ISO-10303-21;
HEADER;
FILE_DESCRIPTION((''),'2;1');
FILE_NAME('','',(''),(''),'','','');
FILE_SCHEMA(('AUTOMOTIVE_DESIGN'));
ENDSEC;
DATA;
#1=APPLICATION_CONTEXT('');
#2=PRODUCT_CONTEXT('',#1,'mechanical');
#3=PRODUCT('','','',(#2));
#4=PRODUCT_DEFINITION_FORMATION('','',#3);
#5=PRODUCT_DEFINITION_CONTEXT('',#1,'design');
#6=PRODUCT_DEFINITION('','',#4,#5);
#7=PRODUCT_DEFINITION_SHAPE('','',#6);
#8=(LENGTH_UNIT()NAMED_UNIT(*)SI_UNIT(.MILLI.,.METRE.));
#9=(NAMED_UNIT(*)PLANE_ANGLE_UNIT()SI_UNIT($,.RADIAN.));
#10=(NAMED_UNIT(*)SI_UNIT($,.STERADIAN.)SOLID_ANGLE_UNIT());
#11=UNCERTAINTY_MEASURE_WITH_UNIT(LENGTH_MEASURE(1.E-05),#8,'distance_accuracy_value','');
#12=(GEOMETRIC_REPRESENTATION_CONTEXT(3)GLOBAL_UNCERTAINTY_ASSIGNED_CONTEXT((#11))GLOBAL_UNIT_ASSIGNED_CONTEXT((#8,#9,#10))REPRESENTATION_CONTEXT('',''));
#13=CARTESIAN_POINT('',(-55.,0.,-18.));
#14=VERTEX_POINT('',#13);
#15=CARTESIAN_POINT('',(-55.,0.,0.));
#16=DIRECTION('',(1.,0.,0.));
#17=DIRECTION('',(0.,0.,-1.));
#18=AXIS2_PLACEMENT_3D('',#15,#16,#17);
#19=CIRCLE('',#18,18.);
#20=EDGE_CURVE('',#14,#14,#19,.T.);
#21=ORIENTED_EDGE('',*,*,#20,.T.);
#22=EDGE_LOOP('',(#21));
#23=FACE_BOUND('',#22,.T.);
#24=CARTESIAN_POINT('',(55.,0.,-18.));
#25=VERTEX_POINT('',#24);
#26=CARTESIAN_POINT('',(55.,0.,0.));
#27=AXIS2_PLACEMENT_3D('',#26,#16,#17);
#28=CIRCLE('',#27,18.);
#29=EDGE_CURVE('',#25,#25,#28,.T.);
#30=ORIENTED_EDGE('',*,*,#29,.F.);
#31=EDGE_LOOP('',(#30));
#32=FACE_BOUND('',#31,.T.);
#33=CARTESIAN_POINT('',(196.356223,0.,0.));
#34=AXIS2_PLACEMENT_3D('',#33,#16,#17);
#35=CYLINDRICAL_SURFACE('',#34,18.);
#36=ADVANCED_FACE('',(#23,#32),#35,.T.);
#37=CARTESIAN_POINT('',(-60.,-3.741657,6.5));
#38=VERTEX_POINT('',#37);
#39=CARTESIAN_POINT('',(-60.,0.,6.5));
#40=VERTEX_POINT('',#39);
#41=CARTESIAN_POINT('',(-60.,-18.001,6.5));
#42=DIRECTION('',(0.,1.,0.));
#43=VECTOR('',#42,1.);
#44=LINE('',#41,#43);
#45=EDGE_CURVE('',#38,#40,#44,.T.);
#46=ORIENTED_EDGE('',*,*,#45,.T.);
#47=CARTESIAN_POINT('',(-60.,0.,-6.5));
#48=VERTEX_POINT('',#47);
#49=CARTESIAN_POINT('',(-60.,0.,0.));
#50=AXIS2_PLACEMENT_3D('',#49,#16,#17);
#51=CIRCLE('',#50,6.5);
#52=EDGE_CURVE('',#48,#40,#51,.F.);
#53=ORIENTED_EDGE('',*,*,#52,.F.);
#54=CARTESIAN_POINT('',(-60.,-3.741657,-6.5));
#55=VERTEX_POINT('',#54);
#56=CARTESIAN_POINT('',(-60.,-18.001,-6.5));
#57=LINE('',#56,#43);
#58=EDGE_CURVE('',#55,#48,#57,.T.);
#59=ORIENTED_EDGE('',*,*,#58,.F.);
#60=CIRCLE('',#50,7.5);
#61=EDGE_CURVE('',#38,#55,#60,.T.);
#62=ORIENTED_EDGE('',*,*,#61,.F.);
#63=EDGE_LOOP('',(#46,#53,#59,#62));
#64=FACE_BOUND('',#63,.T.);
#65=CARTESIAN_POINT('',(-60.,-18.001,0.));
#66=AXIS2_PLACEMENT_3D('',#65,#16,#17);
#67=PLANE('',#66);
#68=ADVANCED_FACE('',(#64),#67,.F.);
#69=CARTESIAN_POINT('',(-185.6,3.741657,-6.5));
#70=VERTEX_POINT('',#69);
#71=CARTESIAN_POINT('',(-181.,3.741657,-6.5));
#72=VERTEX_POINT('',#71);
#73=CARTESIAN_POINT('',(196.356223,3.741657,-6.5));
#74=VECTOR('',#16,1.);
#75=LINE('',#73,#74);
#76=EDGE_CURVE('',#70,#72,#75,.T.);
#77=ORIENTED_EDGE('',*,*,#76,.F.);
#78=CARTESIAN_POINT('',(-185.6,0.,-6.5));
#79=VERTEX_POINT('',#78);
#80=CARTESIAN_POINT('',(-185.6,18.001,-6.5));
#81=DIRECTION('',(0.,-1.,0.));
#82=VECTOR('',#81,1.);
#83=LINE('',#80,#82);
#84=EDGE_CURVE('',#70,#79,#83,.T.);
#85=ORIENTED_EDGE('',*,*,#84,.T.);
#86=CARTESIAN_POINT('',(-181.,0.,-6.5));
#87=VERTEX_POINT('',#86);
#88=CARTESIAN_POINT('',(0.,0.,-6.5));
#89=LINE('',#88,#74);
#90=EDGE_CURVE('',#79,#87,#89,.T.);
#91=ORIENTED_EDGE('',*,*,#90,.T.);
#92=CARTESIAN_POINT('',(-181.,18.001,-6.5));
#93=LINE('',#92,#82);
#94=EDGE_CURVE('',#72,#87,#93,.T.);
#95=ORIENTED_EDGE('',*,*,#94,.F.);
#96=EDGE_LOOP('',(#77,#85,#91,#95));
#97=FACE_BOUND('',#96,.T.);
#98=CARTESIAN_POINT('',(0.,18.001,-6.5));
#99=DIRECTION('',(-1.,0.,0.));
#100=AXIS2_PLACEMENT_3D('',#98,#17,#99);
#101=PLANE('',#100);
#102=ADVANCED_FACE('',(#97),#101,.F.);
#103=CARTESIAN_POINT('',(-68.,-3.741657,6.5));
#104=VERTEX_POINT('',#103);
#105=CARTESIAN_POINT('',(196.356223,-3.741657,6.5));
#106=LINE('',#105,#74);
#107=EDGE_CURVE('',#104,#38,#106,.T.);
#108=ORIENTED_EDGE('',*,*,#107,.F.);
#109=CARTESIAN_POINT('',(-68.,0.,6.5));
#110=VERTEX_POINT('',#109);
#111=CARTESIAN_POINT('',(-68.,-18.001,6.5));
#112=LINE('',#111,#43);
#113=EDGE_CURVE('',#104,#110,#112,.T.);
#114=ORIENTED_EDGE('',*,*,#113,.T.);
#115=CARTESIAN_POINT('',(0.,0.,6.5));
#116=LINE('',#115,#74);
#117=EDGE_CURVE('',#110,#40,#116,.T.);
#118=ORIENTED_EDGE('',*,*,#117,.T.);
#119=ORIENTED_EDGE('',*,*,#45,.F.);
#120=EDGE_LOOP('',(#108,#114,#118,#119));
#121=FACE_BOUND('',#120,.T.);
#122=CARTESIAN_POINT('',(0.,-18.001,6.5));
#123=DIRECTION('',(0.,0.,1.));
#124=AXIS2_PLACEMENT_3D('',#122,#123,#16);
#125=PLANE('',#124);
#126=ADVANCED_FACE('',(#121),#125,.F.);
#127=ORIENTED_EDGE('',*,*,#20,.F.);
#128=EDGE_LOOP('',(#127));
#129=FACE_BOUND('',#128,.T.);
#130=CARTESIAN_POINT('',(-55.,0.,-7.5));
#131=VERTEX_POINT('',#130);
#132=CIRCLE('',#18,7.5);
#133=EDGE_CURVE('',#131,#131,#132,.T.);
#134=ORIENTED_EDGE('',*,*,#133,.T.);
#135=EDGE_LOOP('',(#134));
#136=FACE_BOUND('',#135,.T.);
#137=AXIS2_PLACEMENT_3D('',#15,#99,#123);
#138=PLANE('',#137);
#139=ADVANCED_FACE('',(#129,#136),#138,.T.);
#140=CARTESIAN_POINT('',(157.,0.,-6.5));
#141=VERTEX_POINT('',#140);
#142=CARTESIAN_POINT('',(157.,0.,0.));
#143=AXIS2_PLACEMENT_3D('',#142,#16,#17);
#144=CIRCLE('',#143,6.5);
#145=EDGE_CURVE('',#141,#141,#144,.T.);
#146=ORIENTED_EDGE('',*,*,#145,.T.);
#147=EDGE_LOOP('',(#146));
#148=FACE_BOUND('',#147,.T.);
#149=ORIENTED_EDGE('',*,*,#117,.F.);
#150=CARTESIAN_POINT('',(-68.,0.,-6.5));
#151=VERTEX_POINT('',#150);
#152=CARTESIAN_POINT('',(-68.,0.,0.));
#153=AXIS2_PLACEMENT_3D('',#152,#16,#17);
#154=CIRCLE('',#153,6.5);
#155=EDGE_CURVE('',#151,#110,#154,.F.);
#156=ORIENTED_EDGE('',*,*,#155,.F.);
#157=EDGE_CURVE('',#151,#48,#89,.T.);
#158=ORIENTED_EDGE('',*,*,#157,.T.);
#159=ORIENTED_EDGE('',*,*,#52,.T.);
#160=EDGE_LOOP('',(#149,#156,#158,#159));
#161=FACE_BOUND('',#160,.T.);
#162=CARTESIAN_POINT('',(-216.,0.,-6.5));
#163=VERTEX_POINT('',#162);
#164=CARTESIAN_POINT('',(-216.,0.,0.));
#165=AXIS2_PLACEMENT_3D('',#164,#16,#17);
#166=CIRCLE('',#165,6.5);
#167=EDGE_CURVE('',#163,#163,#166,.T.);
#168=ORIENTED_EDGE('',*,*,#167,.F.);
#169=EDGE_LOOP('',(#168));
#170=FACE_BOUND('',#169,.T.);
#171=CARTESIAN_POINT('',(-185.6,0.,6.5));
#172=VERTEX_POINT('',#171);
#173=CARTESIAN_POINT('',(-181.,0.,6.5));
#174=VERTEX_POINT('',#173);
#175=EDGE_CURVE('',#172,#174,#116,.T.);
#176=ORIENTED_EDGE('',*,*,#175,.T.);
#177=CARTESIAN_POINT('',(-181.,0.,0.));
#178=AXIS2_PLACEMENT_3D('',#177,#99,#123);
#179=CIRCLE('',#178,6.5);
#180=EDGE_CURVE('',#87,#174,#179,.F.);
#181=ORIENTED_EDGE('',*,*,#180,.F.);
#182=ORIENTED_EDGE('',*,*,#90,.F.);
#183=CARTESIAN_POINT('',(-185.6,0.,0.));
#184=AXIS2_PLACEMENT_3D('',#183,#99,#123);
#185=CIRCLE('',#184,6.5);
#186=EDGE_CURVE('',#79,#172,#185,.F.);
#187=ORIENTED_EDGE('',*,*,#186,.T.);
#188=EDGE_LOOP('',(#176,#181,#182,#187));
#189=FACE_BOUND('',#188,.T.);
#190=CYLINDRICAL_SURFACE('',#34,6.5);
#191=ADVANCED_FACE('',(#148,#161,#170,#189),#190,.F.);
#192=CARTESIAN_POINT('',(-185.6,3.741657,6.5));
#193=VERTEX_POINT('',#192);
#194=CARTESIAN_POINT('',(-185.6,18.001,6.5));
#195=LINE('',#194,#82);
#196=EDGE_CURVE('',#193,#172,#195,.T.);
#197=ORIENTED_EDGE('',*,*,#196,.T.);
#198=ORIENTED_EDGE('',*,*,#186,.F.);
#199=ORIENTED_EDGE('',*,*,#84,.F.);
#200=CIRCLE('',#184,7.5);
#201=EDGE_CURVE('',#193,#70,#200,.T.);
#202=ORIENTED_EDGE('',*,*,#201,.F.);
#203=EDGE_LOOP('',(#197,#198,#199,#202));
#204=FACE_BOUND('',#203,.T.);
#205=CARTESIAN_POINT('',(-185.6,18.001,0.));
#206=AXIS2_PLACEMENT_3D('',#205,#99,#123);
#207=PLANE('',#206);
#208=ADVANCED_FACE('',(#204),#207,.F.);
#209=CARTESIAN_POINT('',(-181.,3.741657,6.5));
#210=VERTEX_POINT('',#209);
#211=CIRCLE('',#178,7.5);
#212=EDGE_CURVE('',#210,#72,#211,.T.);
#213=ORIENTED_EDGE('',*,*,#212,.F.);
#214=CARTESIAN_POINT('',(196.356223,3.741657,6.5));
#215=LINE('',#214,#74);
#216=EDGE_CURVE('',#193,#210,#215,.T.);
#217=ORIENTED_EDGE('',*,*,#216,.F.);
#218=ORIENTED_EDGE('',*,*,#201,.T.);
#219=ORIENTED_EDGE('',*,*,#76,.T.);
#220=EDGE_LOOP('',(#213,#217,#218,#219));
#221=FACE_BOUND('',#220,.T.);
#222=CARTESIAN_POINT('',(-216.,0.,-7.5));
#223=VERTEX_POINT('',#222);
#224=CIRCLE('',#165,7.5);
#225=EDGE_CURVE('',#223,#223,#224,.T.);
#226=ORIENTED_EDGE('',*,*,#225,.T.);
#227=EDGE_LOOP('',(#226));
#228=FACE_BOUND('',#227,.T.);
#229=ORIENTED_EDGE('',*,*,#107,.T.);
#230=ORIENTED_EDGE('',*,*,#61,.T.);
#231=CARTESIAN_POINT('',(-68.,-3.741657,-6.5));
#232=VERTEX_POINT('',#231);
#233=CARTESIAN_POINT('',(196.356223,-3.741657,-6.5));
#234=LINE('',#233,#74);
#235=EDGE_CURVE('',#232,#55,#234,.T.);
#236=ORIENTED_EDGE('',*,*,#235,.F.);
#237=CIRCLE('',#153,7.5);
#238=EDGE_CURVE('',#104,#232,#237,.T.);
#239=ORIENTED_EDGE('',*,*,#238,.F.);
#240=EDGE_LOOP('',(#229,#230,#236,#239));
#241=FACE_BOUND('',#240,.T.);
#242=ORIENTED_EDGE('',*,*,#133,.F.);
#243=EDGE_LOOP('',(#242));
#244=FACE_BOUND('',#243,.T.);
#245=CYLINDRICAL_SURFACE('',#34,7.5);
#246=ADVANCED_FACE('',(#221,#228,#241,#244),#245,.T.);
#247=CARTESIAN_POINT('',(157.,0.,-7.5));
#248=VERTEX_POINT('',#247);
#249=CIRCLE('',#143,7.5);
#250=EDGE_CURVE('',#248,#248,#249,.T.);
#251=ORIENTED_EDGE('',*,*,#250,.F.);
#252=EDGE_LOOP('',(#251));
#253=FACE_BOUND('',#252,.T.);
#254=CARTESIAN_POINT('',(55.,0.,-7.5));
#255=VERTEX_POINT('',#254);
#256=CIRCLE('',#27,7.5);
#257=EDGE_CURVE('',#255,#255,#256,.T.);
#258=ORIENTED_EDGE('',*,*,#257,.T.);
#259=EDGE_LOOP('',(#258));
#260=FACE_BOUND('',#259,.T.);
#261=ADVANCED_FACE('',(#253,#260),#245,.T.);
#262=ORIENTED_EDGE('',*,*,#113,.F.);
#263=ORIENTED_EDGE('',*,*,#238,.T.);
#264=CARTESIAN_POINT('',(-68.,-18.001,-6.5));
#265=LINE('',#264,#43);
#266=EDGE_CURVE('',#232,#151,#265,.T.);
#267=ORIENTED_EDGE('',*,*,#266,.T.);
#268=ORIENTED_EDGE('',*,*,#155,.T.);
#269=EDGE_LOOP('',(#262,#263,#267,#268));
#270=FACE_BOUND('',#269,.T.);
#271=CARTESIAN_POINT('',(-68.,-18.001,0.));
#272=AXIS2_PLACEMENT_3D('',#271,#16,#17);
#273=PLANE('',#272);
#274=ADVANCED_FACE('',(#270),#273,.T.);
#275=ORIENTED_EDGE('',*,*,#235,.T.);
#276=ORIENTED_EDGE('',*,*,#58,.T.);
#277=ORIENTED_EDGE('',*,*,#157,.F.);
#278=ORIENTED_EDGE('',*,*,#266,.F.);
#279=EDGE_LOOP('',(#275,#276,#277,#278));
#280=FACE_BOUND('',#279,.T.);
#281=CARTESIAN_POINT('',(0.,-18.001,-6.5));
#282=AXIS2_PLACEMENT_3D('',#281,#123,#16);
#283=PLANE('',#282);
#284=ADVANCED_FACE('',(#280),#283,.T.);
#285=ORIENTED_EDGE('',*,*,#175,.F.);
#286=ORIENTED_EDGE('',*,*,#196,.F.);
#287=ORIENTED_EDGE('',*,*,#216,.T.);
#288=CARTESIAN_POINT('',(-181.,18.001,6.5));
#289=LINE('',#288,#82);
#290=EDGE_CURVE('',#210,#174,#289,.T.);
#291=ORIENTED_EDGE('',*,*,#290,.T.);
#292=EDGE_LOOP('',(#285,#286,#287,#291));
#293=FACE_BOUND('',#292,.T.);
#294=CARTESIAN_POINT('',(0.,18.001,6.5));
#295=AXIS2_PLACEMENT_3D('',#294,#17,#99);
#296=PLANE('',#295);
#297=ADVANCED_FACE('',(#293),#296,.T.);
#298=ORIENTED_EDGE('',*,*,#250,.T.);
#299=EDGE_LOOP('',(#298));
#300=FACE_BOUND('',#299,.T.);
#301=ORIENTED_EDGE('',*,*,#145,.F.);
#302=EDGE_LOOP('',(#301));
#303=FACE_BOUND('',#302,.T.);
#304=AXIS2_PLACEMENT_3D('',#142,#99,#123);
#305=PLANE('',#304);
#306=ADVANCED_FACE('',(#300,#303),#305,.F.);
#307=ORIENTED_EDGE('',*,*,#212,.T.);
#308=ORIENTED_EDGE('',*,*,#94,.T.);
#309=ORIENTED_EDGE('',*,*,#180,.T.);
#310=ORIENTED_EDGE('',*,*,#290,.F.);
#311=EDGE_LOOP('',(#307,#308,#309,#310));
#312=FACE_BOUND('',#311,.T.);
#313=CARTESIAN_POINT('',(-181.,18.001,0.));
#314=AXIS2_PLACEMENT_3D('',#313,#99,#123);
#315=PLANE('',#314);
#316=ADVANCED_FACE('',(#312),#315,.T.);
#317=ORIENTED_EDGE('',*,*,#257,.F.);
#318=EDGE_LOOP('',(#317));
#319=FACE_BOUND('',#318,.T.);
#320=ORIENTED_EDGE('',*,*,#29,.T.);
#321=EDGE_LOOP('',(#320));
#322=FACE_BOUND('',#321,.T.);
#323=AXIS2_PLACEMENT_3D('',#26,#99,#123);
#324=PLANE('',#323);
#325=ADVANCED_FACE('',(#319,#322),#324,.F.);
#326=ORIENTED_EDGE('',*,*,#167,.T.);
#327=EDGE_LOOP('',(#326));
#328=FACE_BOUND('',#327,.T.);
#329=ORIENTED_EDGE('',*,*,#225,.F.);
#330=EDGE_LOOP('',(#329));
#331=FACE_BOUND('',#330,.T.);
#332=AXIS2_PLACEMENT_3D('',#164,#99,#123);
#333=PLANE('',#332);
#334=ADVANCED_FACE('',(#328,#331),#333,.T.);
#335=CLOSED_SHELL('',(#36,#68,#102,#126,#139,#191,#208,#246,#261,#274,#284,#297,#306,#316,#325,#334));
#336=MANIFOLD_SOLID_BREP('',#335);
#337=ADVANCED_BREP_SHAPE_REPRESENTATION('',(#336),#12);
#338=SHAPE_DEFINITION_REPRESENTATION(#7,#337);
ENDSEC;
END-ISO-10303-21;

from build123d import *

# Parameters (mm, degrees)
CUT_EXTRUDE1_REACH      = 219.495
CUT_EXTRUDE1_END_RADIUS = 7.5
SKETCH2_W               = 8
SKETCH2_H               = 13
CUT_EXTRUDE2_REACH      = 219.495
CUT_EXTRUDE2_END_RADIUS = 7.5
SKETCH2_3_W             = 4.6
SKETCH2_3_H             = 13


with BuildPart() as part:
    # Sketch1 → Revolve1 (revolve)
    with BuildSketch(Plane.XY, mode=Mode.PRIVATE) as revolve1_sk:
        Polygon((157, 6.5), (157, 7.5), (55, 7.5), (55, 18), (-55, 18), (-55, 7.5), (-216, 7.5), (-216, 6.5), align=None)
    revolve(revolve1_sk.sketch.rotate(Axis((196.356223274, 0, 0), (-1, 0, 0)), 90), axis=Axis((196.356223274, 0, 0), (-1, 0, 0)))

    # Cut-Extrude1: up to this cylinder (the profile starts inside it)
    cut_extrude1_end = Plane(origin=(-64, 0, 0), z_dir=(1, 0, 0)) * Cylinder(CUT_EXTRUDE1_END_RADIUS, 454.99, mode=Mode.PRIVATE)
    # Sketch2 → Cut-Extrude1 (cut, up to the surface)
    with BuildSketch(Plane(origin=(0, 0, 0), x_dir=(1, 0, 0), z_dir=(0, 1, 0)), mode=Mode.PRIVATE) as cut_extrude1_sk1:
        with Locations((-64, 0)):
            Rectangle(SKETCH2_W, SKETCH2_H)
    cut_extrude1_tool1 = extrude(cut_extrude1_sk1.sketch, amount=-CUT_EXTRUDE1_REACH, mode=Mode.PRIVATE) & cut_extrude1_end
    add(cut_extrude1_tool1.solids().sort_by_distance((-64, 0, 0))[0], mode=Mode.SUBTRACT)

    # Cut-Extrude2: up to this cylinder (the profile starts inside it)
    cut_extrude2_end = Plane(origin=(-183.3, 0, 0), z_dir=(1, 0, 0)) * Cylinder(CUT_EXTRUDE2_END_RADIUS, 454.99, mode=Mode.PRIVATE)
    # Sketch2<3> → Cut-Extrude2 (cut, up to the surface)
    with BuildSketch(Plane(origin=(0, 0, 0), x_dir=(1, 0, 0), z_dir=(0, 1, 0)), mode=Mode.PRIVATE) as cut_extrude2_sk1:
        with Locations((-183.3, 0)):
            Rectangle(SKETCH2_3_W, SKETCH2_3_H)
    cut_extrude2_tool1 = extrude(cut_extrude2_sk1.sketch, amount=CUT_EXTRUDE2_REACH, mode=Mode.PRIVATE) & cut_extrude2_end
    add(cut_extrude2_tool1.solids().sort_by_distance((-183.3, 0, 0))[0], mode=Mode.SUBTRACT)


solid = part.part
